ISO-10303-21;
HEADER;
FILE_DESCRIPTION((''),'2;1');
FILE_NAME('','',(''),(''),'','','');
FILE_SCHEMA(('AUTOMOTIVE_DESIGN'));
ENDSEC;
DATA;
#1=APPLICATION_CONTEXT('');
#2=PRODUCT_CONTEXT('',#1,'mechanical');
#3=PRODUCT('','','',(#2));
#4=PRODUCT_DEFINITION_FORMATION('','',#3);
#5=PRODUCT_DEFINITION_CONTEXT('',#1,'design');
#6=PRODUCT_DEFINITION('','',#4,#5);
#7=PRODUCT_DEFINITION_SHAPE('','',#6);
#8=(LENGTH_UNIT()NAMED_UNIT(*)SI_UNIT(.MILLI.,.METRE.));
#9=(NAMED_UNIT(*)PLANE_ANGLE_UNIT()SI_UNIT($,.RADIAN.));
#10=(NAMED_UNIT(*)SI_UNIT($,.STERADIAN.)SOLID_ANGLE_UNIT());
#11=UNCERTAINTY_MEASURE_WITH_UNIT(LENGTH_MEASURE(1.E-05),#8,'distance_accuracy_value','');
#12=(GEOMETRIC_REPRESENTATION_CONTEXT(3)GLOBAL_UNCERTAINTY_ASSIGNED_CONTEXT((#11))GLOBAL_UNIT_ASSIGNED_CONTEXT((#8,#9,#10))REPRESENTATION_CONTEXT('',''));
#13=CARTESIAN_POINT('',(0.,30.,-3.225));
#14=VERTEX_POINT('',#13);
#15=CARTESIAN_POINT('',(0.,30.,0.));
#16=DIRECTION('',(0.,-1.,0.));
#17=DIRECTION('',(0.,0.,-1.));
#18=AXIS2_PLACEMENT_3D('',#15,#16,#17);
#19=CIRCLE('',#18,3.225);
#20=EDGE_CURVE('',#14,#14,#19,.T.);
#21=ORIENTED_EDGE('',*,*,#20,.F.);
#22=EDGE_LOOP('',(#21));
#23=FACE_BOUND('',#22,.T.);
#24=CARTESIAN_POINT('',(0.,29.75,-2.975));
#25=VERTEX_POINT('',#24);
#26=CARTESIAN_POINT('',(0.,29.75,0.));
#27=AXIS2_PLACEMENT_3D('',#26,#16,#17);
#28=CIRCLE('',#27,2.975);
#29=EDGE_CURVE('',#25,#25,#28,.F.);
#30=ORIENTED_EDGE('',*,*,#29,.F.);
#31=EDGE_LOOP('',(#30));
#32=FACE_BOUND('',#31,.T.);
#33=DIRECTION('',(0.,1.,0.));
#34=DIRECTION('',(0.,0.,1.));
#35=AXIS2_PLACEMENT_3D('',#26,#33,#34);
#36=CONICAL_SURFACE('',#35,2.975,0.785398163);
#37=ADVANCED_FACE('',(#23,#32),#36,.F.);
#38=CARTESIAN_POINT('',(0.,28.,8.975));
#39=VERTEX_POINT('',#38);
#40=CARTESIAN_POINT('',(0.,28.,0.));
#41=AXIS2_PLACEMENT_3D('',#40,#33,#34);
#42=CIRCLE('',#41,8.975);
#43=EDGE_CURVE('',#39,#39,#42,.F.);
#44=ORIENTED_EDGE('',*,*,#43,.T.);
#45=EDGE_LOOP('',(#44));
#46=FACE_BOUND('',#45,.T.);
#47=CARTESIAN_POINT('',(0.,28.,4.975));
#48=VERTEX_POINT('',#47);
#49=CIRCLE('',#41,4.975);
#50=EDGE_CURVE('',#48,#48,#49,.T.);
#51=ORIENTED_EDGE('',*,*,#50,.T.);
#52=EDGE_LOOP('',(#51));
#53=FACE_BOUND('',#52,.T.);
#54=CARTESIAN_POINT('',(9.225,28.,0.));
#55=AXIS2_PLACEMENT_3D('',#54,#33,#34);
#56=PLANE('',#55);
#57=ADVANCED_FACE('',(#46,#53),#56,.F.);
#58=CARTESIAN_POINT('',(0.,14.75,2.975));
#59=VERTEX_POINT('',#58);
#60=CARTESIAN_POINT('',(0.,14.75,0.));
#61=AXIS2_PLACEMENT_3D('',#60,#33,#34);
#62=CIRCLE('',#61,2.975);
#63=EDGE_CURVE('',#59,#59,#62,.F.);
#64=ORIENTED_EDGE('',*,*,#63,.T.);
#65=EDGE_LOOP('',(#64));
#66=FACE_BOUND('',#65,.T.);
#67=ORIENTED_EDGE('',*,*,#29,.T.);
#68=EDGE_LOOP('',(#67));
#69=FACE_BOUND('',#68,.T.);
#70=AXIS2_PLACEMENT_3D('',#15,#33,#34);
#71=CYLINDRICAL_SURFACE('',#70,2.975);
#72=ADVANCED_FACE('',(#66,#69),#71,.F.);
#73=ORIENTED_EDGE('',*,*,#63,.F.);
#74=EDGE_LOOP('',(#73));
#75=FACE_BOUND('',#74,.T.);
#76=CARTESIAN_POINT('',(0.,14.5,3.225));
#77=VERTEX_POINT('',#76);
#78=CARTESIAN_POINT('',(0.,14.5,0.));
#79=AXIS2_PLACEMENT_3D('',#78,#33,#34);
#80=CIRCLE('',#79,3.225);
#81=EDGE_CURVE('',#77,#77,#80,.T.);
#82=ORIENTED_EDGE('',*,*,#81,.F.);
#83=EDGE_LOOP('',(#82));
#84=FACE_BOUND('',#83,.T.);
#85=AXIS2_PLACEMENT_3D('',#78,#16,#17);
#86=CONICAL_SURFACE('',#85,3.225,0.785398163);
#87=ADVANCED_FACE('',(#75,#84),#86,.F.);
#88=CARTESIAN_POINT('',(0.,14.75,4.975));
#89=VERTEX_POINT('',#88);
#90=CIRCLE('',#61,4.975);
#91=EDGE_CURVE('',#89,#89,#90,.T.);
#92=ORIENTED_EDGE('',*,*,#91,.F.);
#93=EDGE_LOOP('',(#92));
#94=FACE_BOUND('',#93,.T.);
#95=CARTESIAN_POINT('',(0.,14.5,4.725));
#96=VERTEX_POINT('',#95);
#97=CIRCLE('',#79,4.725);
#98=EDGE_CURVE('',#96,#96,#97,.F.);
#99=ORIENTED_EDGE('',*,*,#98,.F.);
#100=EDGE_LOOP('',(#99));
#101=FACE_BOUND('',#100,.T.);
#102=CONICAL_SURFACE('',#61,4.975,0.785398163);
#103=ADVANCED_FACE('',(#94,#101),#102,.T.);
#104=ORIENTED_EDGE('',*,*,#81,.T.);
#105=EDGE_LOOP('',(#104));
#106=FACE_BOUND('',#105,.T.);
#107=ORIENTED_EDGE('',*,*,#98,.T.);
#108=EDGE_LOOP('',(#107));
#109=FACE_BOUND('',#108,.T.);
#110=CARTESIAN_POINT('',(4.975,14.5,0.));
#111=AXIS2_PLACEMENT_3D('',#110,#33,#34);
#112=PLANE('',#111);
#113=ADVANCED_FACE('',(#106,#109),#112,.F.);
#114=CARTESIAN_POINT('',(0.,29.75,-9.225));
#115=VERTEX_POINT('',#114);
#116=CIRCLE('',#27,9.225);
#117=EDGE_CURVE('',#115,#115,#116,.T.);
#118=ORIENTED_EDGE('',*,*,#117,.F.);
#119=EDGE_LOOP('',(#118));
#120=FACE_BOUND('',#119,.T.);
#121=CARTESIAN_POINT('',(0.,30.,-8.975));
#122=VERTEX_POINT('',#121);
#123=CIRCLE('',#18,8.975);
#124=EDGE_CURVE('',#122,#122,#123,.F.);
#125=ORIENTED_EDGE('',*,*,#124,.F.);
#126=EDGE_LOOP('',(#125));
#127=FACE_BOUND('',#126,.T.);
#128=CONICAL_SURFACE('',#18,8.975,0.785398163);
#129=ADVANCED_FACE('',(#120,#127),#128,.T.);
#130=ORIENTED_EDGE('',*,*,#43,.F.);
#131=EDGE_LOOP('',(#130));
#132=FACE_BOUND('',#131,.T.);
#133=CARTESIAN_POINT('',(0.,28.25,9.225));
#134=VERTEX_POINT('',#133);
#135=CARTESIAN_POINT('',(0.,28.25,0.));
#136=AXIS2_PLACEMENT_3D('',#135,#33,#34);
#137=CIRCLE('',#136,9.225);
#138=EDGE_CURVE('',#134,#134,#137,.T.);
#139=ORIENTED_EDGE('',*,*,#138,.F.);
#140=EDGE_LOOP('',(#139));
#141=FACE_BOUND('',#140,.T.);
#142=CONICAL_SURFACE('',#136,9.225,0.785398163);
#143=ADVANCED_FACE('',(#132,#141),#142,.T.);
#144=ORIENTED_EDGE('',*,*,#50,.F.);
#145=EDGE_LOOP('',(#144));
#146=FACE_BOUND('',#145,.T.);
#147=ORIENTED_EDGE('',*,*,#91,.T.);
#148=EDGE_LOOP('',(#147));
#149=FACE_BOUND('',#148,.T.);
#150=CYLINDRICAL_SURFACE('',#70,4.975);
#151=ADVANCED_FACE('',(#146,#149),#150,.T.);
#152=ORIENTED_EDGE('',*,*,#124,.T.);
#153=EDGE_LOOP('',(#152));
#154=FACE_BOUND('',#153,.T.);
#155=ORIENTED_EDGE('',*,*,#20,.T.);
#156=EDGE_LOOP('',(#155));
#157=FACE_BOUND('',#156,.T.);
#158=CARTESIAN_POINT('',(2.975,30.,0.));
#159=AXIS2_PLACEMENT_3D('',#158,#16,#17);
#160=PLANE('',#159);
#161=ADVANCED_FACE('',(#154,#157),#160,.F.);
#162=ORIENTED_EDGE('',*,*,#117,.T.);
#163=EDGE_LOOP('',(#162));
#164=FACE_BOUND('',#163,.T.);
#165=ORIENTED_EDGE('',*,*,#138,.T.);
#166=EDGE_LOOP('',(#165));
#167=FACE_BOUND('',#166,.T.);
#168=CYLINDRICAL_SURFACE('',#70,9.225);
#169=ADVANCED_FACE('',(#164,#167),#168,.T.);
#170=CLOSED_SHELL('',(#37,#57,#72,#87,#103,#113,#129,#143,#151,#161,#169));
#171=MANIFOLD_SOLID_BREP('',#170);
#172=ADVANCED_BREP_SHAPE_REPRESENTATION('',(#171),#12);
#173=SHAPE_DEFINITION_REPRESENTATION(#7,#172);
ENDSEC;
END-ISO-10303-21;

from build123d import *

# Parameters (mm, degrees)
CHANFREIN1_SIZE = 0.25


with BuildPart() as part:
    # Esquisse1 → Base-Révolution (revolve)
    with BuildSketch(Plane.XY, mode=Mode.PRIVATE) as base_r_volution_sk:
        Polygon((2.975, 14.5), (2.975, 30), (9.225, 30), (9.225, 28), (4.975, 28), (4.975, 14.5), align=None)
    revolve(base_r_volution_sk.sketch.rotate(Axis((0, 30, 0), (0, -1, 0)), 90), axis=Axis((0, 30, 0), (0, -1, 0)))

    # Chanfrein1
    chanfrein1_edges = [part.edges().sort_by_distance(p)[0] for p in [
        (0, 14.5, -2.975),
        (0, 30, -2.975),
        (0, 30, -9.225),
        (0, 28, -9.225),
        (0, 14.5, -4.975),
    ]]
    chamfer(chanfrein1_edges, length=CHANFREIN1_SIZE)


solid = part.part
